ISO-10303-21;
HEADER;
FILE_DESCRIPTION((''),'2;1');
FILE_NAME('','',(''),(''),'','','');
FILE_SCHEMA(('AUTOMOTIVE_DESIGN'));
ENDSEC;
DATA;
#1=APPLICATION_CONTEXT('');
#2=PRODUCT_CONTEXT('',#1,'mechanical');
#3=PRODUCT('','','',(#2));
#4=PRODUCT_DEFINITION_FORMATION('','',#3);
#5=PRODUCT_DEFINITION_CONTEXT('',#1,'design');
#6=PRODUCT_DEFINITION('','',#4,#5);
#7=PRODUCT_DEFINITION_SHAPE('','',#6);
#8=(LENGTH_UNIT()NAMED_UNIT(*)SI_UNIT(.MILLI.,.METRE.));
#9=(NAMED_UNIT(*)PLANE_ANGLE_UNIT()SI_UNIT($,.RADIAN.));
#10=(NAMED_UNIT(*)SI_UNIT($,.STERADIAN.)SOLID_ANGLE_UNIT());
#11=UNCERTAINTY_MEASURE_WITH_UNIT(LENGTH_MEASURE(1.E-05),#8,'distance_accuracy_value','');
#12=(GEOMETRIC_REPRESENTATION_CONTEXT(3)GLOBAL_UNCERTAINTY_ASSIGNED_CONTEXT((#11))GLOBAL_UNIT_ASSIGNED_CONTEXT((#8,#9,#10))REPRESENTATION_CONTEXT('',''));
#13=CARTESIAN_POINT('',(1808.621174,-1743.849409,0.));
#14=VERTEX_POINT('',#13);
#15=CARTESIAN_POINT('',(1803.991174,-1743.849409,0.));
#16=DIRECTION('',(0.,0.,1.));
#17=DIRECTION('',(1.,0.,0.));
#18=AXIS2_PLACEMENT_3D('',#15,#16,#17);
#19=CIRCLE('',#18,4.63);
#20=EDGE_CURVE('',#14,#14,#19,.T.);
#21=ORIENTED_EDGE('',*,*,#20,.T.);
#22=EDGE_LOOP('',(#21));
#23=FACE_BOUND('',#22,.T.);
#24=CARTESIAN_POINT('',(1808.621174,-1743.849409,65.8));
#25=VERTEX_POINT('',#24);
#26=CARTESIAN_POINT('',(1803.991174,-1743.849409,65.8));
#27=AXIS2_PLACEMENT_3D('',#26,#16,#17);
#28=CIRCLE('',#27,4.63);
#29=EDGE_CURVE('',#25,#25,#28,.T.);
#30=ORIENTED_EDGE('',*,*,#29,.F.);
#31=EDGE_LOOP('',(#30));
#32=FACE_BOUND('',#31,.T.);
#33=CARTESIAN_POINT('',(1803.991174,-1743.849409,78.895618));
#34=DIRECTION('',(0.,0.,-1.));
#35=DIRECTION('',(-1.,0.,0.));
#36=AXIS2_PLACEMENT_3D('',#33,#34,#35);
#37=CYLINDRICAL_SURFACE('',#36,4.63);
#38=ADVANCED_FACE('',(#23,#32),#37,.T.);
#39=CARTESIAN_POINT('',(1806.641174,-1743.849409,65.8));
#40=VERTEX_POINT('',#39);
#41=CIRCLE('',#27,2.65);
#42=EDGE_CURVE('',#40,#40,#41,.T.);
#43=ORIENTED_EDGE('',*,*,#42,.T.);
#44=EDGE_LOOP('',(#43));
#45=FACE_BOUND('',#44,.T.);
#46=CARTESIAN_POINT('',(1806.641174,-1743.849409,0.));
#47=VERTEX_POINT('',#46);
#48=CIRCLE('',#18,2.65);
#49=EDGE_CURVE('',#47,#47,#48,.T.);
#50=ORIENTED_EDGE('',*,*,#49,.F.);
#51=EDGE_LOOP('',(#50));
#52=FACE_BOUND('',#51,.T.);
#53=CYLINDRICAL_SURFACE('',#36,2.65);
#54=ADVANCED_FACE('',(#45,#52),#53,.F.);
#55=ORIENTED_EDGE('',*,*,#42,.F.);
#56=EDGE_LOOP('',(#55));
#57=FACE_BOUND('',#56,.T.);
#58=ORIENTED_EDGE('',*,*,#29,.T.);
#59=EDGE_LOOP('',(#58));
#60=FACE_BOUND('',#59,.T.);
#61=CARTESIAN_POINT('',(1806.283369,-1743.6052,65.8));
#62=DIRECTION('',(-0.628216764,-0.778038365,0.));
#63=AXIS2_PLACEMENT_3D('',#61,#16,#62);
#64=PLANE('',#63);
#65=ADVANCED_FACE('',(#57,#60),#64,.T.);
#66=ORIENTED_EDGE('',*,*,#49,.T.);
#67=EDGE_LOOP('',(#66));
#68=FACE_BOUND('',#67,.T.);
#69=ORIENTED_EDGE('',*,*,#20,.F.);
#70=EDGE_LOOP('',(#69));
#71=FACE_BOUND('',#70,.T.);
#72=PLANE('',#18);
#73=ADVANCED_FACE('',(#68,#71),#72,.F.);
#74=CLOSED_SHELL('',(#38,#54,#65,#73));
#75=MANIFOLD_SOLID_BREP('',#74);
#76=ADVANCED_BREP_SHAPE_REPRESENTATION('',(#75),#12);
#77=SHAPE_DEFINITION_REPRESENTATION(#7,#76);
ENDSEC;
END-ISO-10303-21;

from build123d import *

# Parameters (mm, degrees)
SKETCH1_R           = 4.63
SKETCH1_R_2         = 2.65
BOSS_EXTRUDE1_DEPTH = 65.8


with BuildPart() as part:
    # Sketch1 → Boss-Extrude1 (new body)
    with BuildSketch(Plane.XY):
        with Locations((1803.99117355, -1743.849409116)):
            Circle(SKETCH1_R)
        with Locations((1803.99117355, -1743.849409116)):
            Circle(SKETCH1_R_2, mode=Mode.SUBTRACT)
    extrude(amount=BOSS_EXTRUDE1_DEPTH)


solid = part.part
